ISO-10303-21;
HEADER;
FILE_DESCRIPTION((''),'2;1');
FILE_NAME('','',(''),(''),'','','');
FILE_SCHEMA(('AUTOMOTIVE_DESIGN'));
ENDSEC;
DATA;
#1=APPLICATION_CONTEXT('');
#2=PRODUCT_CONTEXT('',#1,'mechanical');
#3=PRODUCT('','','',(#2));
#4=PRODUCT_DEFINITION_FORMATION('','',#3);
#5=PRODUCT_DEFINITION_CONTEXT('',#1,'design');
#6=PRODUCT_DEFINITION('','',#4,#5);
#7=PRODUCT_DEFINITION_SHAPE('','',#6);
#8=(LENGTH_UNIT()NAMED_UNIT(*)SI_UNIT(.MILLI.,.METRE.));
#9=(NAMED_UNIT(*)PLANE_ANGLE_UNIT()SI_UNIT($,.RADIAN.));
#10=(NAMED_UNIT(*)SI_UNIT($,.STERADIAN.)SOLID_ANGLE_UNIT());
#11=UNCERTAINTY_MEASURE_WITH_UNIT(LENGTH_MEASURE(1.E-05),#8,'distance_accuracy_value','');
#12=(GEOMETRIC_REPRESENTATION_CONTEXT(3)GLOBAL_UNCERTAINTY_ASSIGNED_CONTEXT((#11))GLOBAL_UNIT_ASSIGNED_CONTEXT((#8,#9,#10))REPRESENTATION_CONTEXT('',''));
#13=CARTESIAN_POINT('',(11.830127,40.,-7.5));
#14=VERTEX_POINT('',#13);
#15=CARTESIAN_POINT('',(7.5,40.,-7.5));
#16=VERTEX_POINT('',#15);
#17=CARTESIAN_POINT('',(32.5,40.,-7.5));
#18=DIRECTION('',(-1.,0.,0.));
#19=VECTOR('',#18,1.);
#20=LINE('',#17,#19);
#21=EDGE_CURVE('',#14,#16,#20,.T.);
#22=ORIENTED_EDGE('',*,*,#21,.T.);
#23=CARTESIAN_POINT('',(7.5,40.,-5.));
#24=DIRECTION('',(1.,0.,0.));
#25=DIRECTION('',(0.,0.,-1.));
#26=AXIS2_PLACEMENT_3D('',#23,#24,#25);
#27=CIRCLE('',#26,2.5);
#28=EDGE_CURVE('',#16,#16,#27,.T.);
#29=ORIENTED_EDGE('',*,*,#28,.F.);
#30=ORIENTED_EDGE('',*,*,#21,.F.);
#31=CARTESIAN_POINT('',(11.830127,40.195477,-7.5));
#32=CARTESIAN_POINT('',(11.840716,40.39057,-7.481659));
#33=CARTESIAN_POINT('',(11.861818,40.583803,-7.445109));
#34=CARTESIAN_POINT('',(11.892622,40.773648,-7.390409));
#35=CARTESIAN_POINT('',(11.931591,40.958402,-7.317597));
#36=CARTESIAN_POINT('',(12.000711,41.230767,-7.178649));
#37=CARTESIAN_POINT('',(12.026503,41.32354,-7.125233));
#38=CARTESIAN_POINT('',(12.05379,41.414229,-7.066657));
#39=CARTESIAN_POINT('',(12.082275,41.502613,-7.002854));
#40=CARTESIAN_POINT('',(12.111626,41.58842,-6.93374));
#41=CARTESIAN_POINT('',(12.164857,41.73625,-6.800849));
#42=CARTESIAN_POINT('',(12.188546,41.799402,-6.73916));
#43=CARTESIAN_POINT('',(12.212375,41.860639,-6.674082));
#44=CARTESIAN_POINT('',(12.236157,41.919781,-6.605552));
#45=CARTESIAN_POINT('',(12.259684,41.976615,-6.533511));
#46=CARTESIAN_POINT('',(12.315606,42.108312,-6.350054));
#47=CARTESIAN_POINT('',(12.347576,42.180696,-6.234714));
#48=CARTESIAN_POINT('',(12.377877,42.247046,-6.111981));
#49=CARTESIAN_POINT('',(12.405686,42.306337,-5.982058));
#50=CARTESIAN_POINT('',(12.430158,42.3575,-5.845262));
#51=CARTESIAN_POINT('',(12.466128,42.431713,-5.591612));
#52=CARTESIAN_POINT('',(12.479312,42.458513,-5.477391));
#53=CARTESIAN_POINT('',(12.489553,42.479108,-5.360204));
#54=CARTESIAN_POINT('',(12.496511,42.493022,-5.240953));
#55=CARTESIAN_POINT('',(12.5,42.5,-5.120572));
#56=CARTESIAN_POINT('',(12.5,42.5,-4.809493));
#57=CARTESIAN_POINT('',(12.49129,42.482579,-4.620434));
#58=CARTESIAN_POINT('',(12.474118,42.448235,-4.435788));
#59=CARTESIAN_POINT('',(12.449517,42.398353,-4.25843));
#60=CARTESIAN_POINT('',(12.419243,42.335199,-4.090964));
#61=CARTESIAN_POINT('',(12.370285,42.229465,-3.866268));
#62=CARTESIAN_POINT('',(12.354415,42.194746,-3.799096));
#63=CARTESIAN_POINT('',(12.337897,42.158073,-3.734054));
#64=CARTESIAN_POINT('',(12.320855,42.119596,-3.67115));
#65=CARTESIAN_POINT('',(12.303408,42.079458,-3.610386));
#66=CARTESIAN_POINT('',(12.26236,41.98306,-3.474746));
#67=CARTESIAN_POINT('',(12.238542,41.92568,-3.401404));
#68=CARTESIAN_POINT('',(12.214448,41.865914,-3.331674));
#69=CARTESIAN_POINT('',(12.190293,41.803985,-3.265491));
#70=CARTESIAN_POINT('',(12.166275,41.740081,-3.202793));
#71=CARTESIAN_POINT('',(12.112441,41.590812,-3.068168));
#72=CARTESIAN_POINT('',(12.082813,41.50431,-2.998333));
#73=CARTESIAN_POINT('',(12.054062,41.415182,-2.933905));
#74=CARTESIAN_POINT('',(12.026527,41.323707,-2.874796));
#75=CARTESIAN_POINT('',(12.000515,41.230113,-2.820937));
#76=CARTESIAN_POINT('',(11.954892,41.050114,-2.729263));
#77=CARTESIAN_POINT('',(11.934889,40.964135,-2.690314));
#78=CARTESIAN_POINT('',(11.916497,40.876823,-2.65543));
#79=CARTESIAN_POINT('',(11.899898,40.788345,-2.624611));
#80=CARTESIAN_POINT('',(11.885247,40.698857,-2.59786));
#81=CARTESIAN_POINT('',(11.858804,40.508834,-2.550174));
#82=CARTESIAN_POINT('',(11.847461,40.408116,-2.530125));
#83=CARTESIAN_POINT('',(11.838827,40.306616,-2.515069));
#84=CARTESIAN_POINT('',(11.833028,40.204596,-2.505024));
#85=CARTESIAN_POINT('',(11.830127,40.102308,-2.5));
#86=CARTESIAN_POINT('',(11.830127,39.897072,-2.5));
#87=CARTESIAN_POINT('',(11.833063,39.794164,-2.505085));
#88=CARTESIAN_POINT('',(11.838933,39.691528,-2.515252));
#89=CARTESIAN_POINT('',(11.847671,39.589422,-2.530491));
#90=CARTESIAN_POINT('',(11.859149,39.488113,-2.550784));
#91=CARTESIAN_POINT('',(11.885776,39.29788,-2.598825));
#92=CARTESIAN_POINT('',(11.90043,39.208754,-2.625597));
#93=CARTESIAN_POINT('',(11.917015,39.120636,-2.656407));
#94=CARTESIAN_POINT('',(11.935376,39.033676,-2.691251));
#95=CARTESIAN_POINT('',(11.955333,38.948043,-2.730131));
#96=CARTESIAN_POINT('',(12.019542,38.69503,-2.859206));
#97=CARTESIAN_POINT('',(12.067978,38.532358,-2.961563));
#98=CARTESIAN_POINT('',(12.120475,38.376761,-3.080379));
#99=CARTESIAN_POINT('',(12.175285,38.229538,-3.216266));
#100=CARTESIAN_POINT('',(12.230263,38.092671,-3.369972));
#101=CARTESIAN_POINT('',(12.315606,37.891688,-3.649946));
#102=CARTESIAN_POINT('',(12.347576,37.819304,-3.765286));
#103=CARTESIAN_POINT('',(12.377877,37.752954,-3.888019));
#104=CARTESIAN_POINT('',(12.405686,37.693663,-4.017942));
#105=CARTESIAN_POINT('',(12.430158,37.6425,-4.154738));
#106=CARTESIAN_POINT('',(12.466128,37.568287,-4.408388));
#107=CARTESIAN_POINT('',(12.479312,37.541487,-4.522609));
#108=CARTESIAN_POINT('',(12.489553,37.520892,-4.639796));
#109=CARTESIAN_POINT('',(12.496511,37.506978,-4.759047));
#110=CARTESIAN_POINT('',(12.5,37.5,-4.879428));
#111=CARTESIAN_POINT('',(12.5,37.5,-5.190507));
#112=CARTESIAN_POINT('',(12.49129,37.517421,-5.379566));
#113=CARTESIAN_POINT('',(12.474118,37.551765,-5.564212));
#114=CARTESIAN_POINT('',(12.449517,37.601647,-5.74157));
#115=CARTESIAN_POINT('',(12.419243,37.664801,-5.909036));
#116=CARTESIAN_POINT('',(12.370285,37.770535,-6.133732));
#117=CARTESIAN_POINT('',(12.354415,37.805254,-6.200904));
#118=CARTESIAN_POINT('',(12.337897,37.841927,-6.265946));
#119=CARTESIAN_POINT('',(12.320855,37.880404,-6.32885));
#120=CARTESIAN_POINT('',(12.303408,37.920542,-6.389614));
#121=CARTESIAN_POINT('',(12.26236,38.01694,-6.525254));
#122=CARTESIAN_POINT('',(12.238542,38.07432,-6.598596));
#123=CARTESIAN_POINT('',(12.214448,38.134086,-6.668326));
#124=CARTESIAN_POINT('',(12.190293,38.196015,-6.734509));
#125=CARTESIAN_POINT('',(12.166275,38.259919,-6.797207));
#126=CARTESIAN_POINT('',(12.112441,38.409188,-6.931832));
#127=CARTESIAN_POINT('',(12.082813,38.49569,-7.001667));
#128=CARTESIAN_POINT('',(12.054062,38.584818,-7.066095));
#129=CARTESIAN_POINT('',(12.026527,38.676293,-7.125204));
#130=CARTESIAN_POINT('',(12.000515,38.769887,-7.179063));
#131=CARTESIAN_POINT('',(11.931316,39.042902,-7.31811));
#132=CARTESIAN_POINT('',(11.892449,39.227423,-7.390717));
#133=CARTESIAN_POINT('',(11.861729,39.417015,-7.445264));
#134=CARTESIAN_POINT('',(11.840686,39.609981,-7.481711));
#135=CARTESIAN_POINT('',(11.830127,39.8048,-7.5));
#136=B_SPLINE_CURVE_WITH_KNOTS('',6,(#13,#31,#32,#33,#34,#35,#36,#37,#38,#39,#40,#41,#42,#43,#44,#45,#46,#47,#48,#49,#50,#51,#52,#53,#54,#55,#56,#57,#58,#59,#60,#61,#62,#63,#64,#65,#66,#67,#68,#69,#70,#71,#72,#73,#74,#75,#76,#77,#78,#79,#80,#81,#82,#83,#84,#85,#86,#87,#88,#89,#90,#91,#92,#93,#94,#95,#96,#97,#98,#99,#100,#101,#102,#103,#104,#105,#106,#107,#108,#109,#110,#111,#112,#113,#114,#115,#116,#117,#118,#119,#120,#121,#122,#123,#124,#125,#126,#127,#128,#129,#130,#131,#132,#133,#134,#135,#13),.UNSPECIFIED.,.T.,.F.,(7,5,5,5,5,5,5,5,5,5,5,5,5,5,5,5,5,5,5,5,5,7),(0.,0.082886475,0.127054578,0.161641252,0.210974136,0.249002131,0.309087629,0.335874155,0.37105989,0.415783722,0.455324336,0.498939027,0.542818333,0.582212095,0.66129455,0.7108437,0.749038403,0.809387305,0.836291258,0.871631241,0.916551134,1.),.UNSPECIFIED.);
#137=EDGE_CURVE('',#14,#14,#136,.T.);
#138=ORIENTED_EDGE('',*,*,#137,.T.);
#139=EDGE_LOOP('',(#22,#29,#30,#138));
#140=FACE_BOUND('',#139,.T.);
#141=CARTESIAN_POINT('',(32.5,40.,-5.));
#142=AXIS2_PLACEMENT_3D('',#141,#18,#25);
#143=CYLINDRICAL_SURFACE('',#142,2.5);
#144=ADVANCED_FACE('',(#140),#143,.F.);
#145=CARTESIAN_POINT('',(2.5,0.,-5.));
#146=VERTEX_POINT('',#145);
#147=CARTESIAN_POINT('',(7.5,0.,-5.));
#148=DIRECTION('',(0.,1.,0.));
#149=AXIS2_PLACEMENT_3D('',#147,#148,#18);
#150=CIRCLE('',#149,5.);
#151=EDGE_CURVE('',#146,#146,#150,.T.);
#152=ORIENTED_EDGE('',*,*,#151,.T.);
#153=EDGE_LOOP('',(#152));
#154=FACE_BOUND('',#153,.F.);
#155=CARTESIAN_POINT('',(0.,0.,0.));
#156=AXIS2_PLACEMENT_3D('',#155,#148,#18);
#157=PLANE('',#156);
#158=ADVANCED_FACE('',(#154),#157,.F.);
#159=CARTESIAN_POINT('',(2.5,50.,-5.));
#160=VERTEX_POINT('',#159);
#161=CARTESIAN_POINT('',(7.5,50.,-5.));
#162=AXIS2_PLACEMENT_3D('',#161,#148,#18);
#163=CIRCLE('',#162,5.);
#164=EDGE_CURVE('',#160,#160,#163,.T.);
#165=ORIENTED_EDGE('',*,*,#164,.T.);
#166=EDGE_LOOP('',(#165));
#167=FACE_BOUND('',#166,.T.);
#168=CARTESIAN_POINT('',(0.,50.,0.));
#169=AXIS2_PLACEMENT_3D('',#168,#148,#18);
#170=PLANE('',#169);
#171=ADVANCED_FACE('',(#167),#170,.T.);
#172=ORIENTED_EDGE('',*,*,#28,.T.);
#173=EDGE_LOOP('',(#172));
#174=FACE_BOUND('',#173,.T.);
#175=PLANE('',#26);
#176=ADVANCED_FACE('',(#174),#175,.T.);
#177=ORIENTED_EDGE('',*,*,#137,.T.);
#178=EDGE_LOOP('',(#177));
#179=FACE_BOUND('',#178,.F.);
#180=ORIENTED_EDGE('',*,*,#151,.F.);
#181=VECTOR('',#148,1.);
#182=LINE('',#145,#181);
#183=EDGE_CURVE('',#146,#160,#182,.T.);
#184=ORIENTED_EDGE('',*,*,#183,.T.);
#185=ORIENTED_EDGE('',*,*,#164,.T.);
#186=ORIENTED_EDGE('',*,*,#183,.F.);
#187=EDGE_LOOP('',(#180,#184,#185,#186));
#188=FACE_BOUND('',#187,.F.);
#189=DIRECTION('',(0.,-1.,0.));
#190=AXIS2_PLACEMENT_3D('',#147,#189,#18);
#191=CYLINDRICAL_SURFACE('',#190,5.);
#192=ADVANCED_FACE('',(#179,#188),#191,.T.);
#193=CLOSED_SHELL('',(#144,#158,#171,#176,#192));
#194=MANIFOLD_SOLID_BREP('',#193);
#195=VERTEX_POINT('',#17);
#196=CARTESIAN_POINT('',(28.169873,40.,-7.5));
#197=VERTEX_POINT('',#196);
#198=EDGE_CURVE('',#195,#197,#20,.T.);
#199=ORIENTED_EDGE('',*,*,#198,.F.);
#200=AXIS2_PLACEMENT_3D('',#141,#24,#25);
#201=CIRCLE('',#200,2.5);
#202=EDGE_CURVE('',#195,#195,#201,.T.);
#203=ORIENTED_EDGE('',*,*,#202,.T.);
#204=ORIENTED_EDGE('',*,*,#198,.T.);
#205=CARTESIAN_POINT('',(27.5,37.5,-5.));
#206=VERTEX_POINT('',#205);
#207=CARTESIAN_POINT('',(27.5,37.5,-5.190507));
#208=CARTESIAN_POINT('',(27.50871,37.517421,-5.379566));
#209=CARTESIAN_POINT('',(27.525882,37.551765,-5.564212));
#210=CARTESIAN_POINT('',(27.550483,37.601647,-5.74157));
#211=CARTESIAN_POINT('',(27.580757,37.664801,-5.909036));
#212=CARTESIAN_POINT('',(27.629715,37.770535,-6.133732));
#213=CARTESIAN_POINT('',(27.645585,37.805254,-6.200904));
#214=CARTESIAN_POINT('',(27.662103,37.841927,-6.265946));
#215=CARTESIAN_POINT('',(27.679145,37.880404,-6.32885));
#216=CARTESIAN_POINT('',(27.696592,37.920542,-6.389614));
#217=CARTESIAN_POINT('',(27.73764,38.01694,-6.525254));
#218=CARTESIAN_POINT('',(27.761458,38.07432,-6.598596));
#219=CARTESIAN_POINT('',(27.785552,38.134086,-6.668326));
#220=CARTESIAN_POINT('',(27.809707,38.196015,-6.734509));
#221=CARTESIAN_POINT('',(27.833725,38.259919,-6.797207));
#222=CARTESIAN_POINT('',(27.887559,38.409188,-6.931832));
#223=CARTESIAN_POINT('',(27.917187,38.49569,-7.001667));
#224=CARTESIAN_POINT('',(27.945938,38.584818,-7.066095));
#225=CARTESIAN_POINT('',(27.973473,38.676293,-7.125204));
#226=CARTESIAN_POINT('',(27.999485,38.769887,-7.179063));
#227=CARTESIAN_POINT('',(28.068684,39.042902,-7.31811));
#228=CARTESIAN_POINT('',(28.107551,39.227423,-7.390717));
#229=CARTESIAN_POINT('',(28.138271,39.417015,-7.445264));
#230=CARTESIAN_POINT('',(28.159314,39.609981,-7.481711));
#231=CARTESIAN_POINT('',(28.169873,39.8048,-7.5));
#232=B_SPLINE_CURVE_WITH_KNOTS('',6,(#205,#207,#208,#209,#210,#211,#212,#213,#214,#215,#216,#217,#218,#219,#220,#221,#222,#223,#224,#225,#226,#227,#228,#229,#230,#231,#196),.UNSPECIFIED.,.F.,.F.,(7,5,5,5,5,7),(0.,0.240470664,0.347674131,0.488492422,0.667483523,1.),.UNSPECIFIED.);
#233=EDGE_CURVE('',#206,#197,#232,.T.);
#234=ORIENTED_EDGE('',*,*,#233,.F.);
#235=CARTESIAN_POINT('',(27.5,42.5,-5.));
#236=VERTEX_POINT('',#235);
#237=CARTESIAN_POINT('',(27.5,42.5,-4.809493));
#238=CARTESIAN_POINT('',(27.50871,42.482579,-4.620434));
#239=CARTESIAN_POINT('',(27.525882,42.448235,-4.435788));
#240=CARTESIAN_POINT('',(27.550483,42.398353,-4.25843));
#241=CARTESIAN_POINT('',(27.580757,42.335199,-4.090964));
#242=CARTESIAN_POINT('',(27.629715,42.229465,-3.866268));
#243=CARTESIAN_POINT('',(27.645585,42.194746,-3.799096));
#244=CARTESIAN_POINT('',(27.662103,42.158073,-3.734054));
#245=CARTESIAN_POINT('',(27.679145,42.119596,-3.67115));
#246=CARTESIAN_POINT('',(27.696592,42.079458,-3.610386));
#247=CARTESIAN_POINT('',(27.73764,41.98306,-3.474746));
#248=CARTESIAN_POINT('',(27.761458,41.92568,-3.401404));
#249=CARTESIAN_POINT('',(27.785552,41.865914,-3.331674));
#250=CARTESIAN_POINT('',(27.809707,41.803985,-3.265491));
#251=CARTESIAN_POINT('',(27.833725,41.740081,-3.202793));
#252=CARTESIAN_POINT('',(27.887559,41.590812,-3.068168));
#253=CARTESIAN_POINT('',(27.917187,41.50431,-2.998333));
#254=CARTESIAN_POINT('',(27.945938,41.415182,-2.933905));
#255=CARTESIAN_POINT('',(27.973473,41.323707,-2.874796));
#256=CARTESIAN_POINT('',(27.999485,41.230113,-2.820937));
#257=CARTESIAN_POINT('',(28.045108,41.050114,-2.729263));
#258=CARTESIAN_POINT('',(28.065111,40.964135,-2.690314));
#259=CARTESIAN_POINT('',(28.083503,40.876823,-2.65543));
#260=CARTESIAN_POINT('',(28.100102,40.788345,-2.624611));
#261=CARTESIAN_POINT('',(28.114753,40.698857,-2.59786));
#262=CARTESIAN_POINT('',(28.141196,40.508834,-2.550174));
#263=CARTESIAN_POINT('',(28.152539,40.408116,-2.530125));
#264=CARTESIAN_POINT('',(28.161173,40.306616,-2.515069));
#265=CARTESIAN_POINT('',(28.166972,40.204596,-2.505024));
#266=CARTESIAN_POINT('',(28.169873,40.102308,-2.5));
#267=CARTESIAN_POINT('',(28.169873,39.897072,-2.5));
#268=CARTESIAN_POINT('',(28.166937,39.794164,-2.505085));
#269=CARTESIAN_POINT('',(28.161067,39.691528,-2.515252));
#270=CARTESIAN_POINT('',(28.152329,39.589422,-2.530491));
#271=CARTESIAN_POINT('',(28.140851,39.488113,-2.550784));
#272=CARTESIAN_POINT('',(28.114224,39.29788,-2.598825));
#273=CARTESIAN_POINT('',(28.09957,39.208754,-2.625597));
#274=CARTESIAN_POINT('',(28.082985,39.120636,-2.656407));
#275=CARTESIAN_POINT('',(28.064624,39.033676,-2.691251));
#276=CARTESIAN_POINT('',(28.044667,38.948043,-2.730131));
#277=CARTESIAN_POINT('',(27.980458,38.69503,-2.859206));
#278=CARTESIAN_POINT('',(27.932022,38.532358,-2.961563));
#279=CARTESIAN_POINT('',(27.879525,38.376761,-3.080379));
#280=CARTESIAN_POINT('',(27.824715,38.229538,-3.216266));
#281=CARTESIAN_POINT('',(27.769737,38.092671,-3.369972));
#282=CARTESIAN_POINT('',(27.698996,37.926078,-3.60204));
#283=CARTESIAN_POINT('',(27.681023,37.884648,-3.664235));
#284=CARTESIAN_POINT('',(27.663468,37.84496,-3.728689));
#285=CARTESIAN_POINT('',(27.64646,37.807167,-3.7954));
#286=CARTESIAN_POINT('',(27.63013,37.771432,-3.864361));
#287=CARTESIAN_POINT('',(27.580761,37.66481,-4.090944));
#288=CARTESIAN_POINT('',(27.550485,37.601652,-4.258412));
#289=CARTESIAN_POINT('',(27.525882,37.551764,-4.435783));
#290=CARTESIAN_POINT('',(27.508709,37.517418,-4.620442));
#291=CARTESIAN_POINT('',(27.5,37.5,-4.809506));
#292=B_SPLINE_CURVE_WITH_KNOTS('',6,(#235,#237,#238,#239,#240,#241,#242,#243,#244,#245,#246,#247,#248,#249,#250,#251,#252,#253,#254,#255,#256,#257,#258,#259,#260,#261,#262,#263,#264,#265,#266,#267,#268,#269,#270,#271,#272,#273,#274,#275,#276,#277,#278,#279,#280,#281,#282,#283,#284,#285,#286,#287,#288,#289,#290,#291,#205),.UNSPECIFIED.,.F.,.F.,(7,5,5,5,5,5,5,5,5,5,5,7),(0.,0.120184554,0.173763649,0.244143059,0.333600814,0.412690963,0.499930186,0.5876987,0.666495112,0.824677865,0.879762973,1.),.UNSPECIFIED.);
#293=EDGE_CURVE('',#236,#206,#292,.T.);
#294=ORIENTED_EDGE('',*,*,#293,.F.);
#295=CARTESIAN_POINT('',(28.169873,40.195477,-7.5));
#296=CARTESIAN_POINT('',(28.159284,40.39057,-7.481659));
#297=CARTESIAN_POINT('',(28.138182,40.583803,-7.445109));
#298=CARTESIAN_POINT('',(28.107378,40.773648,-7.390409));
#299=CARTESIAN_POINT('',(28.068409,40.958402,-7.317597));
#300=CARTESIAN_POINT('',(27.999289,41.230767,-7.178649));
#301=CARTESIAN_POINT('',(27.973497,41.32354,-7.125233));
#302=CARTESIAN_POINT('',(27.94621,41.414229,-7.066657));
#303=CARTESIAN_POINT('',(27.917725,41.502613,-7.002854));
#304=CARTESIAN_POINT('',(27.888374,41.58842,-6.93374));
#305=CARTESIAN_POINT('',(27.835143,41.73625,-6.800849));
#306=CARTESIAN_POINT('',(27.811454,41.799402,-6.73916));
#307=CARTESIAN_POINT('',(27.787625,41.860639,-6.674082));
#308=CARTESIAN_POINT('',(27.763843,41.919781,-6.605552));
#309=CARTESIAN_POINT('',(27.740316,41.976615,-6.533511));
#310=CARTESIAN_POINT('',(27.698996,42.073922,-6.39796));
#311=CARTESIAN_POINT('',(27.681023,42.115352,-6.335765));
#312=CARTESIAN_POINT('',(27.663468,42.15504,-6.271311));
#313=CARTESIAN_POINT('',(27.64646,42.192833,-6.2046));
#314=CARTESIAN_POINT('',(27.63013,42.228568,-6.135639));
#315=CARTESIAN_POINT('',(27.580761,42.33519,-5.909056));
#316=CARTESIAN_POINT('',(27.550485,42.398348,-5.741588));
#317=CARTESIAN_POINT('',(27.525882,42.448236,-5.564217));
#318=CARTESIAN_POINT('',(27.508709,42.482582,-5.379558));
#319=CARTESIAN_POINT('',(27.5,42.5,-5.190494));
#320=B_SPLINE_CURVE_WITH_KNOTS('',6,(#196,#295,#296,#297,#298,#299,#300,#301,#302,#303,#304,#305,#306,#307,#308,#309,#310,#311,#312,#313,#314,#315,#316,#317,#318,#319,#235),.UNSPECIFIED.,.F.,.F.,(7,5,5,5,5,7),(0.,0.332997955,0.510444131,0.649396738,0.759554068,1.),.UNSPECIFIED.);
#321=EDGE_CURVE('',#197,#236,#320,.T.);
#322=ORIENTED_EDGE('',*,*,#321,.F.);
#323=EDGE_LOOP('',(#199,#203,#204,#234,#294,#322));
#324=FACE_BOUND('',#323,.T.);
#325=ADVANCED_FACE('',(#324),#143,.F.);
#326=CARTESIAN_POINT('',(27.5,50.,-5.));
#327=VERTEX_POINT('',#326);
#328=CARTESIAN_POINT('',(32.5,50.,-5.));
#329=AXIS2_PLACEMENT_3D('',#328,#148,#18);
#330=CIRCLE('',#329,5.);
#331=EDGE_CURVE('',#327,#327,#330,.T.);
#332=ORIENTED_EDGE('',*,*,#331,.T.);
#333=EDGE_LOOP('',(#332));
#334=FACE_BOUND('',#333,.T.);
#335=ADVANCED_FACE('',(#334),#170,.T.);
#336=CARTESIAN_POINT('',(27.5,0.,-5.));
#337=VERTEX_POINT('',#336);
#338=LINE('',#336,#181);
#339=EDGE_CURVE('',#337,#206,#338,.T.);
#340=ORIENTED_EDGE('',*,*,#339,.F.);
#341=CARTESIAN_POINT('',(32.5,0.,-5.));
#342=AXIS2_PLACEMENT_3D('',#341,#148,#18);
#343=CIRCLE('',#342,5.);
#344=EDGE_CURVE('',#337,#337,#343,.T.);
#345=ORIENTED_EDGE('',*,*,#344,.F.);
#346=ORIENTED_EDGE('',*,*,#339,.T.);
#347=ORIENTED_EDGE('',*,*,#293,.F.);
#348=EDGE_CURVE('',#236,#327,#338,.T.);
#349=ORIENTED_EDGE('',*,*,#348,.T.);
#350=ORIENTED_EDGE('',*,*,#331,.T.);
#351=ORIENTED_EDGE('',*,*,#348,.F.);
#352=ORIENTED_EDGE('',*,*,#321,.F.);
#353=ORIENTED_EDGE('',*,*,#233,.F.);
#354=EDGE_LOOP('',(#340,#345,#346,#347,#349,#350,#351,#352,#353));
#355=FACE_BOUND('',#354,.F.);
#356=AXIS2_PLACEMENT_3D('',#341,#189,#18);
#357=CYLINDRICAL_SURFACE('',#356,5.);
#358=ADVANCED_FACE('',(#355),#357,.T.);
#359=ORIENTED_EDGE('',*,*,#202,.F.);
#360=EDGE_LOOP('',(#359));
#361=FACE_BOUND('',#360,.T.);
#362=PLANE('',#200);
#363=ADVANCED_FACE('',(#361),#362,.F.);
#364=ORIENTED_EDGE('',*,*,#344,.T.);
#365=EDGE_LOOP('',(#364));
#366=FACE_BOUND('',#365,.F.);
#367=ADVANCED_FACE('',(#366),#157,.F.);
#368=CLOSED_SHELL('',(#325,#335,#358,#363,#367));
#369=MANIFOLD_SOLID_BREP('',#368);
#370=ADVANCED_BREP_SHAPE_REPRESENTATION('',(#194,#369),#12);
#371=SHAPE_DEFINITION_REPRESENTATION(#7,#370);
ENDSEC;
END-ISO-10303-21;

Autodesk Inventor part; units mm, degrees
ref_plane "YZ Plane" through (0, 0, 0) normal (1, 0, 0) x (0, 1, 0)
ref_plane "XZ Plane" through (0, 0, 0) normal (0, 1, 0) x (-1, 0, 0)
ref_plane "XY Plane" through (0, 0, 0) normal (0, 0, 1) x (1, 0, 0)
sketch "草圖1" plane through (0, 0, 0) normal (0, 1, 0) x (-1, 0, 0)
  line L0 (0, 0) -> (-15, 0) construction
  line L1 (-15, 0) -> (-15, -10) construction
  line L2 (-15, -10) -> (0, -10) construction
  line L3 (0, -10) -> (0, 0) construction
  line L4 (-25, 0) -> (-40, 0) construction
  line L5 (-40, 0) -> (-40, -10) construction
  line L6 (-40, -10) -> (-25, -10) construction
  line L7 (-25, -10) -> (-25, 0) construction
  circle A0 centre (-7.5, -5) radius 5
  circle A1 centre (-32.5, -5) radius 5
  dimension "d0" = 15
  dimension "d1" = 15
  dimension "d2" = 10
  dimension "d3" = 10
  dimension "d4" = 10
  dimension "d5" = 10
  dimension "d6" = 7.5
  dimension "d7" = 25
  dimension "d8" = 5
  dimension "d9" = 5
extrude "擠出1" add sketch "草圖1" along normal blind 50
ref_plane "工作平面1" through (7.5, 40, -5) normal (0, 1, 0) x (1, 0, 0)
sketch "草圖4" plane through (7.5, 40, -5) normal (0, 1, 0) x (1, 0, 0)
  line L0 (0, 0) -> (25, 0)
  line L1 (25, 0) -> (25, 2.5)
  line L2 (25, 2.5) -> (0, 2.5)
  line L3 (0, 2.5) -> (0, 0)
  circle A0 centre (25, 0) radius 5 projected
  circle A1 centre (0, 0) radius 5 projected
  point P0 (-7.5, -5)
  dimension "d17" = 0
  dimension "d18" = 0
  dimension "d19" = 2.5
  dimension "d20" = 0
revolve "迴轉2" cut sketch "草圖4" angle 360 about axis through (7.5, 40, -5) along (1, 0, 0) picked at (1.4434, 1.6667) picked at (23.5566, 1.6667) contours L3 L2 A1 L0 | A1 L2 A0 L0 | A0 L2 L1 L0
properties part number "槌子支架"
